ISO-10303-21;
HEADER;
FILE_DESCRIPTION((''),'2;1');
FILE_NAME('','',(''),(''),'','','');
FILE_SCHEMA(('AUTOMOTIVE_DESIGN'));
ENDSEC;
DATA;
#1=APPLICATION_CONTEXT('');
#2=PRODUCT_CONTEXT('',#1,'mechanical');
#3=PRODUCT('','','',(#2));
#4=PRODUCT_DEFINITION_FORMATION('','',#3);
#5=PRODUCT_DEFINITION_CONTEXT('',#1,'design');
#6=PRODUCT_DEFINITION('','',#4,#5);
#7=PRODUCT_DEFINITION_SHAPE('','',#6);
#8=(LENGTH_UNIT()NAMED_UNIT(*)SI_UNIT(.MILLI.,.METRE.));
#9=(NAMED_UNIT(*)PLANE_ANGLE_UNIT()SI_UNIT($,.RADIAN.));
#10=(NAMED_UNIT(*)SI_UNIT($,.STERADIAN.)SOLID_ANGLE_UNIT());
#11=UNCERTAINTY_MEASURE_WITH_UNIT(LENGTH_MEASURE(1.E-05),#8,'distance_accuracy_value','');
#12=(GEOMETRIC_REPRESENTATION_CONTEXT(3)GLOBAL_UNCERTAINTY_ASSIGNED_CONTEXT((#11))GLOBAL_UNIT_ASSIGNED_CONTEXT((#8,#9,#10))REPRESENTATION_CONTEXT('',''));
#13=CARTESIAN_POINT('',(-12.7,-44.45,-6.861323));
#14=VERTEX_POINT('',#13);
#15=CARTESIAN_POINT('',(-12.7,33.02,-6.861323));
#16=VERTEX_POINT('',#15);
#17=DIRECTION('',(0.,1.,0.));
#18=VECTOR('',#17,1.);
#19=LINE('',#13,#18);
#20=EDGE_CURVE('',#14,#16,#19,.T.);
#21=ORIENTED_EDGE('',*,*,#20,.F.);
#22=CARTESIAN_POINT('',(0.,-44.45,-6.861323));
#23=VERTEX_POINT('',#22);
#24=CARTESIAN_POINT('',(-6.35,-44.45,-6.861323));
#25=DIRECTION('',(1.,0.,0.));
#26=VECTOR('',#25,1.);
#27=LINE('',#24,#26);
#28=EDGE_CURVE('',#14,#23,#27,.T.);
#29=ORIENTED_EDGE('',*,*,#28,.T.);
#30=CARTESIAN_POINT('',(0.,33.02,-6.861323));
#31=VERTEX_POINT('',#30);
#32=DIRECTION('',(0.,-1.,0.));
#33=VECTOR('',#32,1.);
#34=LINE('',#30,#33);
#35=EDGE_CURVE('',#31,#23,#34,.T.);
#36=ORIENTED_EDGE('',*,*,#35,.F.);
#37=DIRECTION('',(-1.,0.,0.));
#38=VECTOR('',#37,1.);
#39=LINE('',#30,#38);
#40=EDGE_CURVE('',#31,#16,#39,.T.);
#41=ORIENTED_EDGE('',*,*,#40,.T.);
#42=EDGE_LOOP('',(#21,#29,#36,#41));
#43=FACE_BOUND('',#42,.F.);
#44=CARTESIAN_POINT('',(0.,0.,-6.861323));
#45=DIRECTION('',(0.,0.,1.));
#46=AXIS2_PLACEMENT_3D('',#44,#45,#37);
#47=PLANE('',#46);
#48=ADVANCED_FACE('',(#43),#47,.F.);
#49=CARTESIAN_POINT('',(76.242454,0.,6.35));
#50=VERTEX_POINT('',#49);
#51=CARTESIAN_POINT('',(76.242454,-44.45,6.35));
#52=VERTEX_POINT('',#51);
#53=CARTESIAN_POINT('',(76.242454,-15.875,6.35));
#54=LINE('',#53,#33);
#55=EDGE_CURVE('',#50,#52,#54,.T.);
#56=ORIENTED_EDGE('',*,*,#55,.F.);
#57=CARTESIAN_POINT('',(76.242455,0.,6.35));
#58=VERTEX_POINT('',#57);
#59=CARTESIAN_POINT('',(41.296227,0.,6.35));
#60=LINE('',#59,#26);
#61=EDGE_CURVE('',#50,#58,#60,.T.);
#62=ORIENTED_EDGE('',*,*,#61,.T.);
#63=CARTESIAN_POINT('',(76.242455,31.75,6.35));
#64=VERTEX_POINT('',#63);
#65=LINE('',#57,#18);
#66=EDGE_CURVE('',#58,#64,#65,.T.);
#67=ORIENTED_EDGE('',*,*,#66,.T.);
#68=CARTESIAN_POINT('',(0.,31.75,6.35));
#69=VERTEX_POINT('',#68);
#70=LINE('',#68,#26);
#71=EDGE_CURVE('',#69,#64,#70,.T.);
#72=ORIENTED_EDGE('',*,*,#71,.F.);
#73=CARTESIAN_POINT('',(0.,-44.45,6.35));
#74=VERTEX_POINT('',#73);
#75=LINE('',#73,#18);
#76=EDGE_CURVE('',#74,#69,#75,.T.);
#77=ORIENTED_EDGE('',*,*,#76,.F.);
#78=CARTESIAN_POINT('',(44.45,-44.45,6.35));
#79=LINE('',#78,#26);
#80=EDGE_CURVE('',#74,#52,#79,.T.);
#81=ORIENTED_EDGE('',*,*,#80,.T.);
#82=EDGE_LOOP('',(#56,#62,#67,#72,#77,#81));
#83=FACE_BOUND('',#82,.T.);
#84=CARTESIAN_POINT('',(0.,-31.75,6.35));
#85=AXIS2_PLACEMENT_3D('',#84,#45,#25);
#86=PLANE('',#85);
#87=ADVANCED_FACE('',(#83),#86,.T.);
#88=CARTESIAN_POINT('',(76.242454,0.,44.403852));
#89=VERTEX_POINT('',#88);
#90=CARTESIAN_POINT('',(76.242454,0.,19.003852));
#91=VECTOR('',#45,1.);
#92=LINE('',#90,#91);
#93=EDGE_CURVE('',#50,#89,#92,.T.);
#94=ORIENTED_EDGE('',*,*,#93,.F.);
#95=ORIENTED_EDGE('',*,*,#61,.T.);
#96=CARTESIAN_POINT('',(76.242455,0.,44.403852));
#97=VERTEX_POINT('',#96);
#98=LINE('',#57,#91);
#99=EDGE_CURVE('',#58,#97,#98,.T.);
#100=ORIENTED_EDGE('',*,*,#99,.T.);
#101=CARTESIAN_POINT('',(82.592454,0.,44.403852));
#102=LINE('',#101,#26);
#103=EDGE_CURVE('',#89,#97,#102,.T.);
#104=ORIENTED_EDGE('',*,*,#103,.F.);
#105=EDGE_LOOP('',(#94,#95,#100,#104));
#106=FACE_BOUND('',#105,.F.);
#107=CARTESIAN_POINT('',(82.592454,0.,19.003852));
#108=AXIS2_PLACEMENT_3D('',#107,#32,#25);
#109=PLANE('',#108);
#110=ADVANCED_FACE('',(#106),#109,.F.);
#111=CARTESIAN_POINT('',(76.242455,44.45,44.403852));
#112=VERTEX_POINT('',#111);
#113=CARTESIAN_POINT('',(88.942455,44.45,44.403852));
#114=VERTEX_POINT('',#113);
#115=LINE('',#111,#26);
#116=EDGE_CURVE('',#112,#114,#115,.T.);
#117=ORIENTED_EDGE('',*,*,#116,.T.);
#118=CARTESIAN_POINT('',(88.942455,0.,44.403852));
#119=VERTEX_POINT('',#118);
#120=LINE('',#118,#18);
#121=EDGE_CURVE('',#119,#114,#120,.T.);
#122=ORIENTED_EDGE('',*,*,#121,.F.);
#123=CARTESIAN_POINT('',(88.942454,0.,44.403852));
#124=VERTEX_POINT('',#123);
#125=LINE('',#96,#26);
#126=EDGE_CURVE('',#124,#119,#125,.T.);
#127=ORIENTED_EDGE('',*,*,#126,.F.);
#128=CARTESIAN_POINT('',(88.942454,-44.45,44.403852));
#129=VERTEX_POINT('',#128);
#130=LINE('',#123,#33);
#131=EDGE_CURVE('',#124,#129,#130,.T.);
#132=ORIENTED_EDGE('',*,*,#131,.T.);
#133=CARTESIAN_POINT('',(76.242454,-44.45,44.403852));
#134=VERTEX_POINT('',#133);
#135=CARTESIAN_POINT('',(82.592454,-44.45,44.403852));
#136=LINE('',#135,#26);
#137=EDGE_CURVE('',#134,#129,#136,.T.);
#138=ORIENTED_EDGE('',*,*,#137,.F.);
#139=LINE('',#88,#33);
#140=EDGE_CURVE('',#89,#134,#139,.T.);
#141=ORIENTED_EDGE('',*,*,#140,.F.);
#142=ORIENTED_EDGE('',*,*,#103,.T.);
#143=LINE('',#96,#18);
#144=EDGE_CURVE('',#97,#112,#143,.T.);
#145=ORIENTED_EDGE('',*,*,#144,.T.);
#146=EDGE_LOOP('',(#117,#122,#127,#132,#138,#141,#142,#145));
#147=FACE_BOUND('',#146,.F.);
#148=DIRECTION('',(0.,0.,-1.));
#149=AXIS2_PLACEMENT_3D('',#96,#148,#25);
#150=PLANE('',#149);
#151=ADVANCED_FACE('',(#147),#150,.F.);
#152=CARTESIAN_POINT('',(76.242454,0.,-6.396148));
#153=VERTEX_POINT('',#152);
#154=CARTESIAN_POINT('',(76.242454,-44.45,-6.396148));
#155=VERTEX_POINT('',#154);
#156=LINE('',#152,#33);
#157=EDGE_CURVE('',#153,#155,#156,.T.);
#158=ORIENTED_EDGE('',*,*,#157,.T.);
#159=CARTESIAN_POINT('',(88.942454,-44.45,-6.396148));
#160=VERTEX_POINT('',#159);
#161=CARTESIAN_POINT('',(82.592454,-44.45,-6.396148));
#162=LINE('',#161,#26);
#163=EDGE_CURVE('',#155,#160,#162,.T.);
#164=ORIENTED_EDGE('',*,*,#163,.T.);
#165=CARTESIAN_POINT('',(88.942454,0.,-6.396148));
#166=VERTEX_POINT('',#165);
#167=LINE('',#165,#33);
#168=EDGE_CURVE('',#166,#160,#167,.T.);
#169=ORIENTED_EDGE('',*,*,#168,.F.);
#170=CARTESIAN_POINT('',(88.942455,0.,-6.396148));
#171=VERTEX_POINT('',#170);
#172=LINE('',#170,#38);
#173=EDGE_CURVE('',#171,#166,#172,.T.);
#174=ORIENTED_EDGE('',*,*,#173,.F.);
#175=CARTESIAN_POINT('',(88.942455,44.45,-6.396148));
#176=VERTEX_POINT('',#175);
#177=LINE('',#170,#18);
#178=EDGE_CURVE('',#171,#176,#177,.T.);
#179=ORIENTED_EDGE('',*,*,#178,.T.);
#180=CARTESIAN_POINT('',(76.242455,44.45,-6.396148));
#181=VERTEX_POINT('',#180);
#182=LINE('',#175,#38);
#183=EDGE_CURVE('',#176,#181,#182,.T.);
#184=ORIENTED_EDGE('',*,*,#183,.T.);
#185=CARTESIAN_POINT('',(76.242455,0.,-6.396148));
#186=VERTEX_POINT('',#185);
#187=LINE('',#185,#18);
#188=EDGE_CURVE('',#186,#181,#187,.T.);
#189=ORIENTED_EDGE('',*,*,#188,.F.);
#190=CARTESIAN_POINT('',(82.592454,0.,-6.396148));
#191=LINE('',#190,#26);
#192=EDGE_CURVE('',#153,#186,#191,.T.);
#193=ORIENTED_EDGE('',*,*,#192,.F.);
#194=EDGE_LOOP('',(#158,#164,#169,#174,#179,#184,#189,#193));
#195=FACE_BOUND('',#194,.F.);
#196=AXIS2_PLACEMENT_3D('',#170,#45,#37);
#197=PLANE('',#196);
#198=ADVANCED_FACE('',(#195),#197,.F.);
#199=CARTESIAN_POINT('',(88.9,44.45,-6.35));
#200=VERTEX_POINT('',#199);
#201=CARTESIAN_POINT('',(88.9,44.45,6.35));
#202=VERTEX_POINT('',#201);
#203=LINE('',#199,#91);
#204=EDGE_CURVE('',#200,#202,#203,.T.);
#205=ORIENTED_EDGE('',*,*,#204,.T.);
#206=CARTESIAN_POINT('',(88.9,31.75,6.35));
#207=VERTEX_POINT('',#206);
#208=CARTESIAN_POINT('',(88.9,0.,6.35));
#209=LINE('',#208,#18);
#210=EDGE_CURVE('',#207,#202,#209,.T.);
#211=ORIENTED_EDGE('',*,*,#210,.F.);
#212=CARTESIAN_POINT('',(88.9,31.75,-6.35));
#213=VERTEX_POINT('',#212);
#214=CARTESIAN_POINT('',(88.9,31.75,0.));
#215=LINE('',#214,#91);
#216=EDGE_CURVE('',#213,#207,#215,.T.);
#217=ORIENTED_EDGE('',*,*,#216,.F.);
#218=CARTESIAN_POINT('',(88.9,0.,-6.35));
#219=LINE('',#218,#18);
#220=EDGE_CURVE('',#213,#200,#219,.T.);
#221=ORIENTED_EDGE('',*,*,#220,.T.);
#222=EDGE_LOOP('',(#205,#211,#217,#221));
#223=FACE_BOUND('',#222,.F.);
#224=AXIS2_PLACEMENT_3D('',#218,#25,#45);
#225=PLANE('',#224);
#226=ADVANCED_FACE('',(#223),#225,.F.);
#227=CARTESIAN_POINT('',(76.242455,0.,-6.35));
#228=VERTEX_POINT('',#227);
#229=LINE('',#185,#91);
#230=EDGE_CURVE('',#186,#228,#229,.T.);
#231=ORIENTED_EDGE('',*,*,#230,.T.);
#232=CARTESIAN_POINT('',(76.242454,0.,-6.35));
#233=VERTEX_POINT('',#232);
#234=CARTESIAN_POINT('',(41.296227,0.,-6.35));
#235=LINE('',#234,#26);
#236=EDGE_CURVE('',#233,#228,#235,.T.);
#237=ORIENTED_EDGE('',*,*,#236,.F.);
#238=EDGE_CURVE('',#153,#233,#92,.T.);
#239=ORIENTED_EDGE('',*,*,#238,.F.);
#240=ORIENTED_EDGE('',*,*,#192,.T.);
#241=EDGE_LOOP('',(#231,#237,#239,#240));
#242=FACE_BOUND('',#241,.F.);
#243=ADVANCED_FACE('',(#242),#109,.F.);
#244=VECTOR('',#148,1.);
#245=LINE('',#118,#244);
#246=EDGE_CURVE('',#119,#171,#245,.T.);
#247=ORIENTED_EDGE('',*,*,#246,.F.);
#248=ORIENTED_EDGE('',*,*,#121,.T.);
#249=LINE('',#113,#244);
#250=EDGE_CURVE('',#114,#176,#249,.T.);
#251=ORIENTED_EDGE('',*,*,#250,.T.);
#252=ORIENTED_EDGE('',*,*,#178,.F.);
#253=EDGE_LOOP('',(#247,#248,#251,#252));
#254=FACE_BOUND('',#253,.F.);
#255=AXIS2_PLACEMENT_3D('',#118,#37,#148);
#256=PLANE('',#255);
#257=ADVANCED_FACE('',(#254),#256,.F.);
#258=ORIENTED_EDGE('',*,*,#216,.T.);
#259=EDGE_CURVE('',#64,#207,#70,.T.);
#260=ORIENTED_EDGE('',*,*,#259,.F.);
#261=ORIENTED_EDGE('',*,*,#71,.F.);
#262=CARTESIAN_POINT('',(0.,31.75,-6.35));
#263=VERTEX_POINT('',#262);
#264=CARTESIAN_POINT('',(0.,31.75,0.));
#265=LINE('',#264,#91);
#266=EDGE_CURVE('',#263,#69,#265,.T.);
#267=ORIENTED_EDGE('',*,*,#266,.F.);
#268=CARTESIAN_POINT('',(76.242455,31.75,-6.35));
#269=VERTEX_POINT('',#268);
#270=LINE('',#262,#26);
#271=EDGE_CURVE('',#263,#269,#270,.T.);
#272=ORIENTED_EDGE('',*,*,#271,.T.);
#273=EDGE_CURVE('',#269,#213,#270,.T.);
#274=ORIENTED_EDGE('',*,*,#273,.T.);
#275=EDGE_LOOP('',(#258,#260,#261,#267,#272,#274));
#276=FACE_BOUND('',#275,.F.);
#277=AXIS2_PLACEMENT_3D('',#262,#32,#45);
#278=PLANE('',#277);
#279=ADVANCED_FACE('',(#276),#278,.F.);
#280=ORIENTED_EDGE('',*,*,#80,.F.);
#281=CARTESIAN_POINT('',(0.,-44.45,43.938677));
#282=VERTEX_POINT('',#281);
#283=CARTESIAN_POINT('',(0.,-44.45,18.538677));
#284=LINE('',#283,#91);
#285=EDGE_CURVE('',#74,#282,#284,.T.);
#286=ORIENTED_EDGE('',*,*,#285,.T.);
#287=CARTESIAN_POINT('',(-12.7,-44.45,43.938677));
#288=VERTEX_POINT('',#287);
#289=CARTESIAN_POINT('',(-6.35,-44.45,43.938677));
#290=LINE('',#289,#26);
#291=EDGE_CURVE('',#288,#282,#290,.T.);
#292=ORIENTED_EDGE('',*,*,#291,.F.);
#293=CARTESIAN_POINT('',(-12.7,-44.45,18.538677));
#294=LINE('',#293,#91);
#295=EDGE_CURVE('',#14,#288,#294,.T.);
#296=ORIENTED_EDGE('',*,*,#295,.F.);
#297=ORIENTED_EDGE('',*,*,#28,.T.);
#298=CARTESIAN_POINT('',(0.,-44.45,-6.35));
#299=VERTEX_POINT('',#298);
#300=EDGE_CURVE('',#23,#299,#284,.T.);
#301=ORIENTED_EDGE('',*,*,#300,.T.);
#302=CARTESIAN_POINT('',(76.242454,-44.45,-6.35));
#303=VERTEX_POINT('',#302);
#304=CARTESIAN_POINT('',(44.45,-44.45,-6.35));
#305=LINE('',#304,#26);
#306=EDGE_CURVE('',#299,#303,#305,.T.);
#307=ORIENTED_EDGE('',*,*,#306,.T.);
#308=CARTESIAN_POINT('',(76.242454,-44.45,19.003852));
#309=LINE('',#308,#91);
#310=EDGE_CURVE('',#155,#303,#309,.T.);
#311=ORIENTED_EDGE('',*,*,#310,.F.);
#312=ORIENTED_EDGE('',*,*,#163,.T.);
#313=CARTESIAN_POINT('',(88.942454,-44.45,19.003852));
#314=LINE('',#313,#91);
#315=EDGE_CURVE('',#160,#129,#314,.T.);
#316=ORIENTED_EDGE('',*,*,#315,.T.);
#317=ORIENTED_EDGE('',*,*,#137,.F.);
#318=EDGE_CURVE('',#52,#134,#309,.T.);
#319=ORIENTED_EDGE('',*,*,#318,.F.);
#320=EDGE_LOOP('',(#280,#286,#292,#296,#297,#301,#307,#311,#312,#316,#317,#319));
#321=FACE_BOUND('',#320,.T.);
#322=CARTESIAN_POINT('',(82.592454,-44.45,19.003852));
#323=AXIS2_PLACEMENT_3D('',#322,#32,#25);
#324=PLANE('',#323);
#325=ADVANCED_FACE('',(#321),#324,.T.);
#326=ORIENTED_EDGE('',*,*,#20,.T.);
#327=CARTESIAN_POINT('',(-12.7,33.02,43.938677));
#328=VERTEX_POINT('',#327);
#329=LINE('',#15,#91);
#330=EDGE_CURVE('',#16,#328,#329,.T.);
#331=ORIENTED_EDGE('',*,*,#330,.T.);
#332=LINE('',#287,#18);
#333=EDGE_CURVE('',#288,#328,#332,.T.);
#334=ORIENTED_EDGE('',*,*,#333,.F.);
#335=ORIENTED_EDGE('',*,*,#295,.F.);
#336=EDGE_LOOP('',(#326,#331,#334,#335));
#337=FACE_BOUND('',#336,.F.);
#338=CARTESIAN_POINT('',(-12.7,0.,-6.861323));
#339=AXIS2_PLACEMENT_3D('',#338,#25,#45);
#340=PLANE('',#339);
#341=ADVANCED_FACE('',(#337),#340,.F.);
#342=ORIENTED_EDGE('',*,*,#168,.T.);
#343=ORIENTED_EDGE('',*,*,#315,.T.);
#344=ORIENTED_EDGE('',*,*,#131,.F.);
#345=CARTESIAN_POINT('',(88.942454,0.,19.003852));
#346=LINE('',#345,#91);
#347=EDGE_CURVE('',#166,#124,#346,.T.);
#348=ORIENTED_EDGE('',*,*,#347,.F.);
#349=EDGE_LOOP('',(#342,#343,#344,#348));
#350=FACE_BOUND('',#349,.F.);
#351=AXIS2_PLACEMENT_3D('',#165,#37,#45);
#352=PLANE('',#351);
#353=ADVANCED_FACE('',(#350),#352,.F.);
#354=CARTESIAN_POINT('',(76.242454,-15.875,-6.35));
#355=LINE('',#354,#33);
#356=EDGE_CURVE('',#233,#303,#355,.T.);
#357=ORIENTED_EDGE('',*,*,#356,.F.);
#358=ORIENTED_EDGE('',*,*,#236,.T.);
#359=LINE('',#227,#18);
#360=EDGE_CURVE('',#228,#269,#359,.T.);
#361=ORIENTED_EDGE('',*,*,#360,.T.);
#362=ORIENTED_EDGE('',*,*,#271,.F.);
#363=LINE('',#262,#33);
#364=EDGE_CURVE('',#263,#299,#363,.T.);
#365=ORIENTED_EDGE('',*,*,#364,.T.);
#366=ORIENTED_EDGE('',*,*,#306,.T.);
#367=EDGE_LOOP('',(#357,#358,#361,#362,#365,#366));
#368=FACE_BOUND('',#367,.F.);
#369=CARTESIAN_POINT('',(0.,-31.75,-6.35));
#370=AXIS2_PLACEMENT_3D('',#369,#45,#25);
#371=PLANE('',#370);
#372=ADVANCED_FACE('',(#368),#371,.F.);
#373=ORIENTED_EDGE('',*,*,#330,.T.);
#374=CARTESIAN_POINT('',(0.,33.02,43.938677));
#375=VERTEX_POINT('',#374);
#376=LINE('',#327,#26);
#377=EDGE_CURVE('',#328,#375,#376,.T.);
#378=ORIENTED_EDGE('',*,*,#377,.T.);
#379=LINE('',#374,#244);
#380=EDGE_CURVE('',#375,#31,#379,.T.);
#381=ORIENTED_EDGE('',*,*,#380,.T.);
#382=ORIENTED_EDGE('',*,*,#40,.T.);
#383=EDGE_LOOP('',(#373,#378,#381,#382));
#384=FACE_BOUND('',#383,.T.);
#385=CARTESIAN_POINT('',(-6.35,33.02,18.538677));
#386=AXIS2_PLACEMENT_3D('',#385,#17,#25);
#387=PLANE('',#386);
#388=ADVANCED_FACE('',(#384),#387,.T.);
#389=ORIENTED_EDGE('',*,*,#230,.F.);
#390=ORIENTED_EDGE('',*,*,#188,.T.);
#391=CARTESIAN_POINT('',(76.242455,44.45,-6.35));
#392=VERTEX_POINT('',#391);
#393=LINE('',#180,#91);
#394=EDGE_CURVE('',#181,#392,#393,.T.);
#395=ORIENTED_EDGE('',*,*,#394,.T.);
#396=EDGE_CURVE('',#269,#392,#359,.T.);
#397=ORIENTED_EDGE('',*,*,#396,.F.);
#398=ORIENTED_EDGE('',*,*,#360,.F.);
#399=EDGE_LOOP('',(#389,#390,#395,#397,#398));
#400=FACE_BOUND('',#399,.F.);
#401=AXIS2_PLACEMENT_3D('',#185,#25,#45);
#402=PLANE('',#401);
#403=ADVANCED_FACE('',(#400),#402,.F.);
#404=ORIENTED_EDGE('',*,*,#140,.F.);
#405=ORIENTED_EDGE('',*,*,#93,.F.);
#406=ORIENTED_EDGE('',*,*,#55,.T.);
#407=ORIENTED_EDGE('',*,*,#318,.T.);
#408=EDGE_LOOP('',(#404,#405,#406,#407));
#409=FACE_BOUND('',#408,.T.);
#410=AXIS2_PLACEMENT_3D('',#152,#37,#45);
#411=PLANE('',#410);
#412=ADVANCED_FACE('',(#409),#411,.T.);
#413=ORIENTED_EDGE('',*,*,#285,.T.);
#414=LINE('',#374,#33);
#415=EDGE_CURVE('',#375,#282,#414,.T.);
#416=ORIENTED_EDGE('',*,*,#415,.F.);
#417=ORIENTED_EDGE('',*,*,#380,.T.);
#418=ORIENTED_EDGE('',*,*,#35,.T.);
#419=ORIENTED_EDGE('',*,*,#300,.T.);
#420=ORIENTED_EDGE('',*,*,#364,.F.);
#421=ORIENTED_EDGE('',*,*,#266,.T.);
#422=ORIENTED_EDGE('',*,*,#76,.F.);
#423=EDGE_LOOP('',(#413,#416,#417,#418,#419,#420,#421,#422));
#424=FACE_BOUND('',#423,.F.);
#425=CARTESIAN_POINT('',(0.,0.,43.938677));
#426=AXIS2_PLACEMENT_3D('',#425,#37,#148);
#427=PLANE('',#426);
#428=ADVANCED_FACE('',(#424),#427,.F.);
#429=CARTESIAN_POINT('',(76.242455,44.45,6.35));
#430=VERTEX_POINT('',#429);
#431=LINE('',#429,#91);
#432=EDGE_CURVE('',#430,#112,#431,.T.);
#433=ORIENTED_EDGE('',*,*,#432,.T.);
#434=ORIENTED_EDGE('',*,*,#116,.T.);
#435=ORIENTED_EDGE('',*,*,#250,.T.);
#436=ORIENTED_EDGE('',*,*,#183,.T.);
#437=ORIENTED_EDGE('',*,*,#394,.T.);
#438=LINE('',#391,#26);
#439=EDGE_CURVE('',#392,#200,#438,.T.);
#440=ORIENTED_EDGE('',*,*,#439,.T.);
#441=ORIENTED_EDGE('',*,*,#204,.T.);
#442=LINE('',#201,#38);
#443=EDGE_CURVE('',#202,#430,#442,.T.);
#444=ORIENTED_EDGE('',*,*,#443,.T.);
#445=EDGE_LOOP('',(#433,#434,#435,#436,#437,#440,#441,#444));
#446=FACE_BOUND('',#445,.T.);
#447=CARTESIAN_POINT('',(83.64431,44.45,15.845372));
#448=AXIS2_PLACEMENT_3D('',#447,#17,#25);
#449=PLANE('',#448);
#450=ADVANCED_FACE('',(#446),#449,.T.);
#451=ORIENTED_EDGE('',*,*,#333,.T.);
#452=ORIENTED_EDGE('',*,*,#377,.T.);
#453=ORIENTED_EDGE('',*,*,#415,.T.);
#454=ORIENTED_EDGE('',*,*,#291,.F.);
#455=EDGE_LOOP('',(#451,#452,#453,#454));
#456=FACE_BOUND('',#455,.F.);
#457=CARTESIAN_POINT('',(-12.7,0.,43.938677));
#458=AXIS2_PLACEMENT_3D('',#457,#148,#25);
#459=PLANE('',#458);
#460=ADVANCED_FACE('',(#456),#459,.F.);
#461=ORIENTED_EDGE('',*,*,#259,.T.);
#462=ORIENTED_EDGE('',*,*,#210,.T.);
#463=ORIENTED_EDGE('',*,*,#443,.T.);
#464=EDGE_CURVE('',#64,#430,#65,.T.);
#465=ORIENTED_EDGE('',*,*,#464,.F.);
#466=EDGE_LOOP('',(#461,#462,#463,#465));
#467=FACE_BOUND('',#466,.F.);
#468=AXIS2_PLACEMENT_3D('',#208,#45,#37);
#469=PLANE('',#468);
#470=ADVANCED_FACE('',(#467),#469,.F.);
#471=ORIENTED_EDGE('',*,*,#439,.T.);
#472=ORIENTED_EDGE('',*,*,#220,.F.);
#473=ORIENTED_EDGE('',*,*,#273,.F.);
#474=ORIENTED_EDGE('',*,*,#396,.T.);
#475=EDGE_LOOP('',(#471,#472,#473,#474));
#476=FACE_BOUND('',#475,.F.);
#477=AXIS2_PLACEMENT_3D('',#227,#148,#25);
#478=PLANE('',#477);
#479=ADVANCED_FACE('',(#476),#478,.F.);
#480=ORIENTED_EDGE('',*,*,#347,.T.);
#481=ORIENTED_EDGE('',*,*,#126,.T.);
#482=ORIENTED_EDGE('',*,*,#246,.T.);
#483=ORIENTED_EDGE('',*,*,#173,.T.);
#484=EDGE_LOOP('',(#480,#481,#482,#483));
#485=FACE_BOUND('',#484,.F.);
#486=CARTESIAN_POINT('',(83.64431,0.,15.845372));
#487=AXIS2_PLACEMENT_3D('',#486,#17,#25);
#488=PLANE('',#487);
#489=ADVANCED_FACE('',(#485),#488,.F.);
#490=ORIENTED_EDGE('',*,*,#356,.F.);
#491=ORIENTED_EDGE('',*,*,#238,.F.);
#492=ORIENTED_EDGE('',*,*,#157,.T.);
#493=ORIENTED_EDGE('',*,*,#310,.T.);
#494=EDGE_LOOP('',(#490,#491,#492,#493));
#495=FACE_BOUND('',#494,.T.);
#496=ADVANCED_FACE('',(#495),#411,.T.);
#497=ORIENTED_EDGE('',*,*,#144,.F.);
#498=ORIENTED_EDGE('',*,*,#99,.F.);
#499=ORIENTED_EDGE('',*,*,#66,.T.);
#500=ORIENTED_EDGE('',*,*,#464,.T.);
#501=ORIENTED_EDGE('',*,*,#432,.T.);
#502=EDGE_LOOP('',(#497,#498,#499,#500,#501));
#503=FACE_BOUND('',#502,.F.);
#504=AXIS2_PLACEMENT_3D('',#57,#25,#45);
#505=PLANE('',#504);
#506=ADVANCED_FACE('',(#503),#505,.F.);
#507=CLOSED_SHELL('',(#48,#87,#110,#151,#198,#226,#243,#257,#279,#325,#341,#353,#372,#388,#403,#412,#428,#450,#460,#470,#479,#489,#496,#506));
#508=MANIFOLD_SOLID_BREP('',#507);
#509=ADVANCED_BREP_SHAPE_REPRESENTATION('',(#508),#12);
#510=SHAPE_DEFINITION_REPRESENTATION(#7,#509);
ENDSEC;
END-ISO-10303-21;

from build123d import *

# Parameters (mm, degrees)
F0_W      = 63.5
F0_H      = 12.7
F1_DEPTH  = 88.9
F2_W      = 12.7
F2_H      = 50.8
F3_DEPTH  = 44.45
F1_FACE_W = 88.9
F1_FACE_H = 12.7
F4_DEPTH  = 12.7
F5_DEPTH  = 33.02
F6_W      = 12.7
F6_H      = 50.8
F7_DEPTH  = 44.45
F8_DEPTH  = 44.45


with BuildPart() as f1:
    # F0 (on Right) → F1 (new body)
    with BuildSketch(Plane.YZ):
        Rectangle(F0_W, F0_H)
    extrude(amount=F1_DEPTH)

    # F2 (on Front) → F3 (join)
    with BuildSketch(Plane.XZ):
        with Locations((-6.35, 18.538677)):
            Rectangle(F2_W, F2_H)
    extrude(amount=F3_DEPTH)

    # F1_face (on face) → F4 (join)
    with BuildSketch(Plane(origin=(44.45, -31.75, 0), x_dir=(1, 0, 0), z_dir=(0, -1, 0))):
        Rectangle(F1_FACE_W, F1_FACE_H)
    extrude(amount=F4_DEPTH)

    # F3_face (on face) → F5 (join)
    with BuildSketch(Plane(origin=(-6.35, 0, 18.538677), x_dir=(1, 0, 0), z_dir=(0, 1, 0))):
        Polygon((6.35, 24.888677), (6.35, 25.4), (-6.35, 25.4), (-6.35, -25.4), (6.35, -25.4), (6.35, 12.188677), align=None)
    extrude(amount=F5_DEPTH)

    # F6 (on Front) → F7 (join)
    with BuildSketch(Plane.XZ):
        with Locations((82.592454, 19.003852)):
            Rectangle(F6_W, F6_H)
    extrude(amount=F7_DEPTH)

    # F7_face (on face) → F8 (join)
    with BuildSketch(Plane(origin=(82.599499, 0, 25.310266), x_dir=(1, 0, 0), z_dir=(0, 1, 0))):
        Polygon((-6.357044, -19.093586), (6.342956, -19.093586), (6.342956, 31.706414), (-6.357044, 31.706414), (-6.357044, 31.660266), (6.300501, 31.660266), (6.300501, 18.960266), (-6.357044, 18.960266), align=None)
    extrude(amount=F8_DEPTH)


solid = f1.part
